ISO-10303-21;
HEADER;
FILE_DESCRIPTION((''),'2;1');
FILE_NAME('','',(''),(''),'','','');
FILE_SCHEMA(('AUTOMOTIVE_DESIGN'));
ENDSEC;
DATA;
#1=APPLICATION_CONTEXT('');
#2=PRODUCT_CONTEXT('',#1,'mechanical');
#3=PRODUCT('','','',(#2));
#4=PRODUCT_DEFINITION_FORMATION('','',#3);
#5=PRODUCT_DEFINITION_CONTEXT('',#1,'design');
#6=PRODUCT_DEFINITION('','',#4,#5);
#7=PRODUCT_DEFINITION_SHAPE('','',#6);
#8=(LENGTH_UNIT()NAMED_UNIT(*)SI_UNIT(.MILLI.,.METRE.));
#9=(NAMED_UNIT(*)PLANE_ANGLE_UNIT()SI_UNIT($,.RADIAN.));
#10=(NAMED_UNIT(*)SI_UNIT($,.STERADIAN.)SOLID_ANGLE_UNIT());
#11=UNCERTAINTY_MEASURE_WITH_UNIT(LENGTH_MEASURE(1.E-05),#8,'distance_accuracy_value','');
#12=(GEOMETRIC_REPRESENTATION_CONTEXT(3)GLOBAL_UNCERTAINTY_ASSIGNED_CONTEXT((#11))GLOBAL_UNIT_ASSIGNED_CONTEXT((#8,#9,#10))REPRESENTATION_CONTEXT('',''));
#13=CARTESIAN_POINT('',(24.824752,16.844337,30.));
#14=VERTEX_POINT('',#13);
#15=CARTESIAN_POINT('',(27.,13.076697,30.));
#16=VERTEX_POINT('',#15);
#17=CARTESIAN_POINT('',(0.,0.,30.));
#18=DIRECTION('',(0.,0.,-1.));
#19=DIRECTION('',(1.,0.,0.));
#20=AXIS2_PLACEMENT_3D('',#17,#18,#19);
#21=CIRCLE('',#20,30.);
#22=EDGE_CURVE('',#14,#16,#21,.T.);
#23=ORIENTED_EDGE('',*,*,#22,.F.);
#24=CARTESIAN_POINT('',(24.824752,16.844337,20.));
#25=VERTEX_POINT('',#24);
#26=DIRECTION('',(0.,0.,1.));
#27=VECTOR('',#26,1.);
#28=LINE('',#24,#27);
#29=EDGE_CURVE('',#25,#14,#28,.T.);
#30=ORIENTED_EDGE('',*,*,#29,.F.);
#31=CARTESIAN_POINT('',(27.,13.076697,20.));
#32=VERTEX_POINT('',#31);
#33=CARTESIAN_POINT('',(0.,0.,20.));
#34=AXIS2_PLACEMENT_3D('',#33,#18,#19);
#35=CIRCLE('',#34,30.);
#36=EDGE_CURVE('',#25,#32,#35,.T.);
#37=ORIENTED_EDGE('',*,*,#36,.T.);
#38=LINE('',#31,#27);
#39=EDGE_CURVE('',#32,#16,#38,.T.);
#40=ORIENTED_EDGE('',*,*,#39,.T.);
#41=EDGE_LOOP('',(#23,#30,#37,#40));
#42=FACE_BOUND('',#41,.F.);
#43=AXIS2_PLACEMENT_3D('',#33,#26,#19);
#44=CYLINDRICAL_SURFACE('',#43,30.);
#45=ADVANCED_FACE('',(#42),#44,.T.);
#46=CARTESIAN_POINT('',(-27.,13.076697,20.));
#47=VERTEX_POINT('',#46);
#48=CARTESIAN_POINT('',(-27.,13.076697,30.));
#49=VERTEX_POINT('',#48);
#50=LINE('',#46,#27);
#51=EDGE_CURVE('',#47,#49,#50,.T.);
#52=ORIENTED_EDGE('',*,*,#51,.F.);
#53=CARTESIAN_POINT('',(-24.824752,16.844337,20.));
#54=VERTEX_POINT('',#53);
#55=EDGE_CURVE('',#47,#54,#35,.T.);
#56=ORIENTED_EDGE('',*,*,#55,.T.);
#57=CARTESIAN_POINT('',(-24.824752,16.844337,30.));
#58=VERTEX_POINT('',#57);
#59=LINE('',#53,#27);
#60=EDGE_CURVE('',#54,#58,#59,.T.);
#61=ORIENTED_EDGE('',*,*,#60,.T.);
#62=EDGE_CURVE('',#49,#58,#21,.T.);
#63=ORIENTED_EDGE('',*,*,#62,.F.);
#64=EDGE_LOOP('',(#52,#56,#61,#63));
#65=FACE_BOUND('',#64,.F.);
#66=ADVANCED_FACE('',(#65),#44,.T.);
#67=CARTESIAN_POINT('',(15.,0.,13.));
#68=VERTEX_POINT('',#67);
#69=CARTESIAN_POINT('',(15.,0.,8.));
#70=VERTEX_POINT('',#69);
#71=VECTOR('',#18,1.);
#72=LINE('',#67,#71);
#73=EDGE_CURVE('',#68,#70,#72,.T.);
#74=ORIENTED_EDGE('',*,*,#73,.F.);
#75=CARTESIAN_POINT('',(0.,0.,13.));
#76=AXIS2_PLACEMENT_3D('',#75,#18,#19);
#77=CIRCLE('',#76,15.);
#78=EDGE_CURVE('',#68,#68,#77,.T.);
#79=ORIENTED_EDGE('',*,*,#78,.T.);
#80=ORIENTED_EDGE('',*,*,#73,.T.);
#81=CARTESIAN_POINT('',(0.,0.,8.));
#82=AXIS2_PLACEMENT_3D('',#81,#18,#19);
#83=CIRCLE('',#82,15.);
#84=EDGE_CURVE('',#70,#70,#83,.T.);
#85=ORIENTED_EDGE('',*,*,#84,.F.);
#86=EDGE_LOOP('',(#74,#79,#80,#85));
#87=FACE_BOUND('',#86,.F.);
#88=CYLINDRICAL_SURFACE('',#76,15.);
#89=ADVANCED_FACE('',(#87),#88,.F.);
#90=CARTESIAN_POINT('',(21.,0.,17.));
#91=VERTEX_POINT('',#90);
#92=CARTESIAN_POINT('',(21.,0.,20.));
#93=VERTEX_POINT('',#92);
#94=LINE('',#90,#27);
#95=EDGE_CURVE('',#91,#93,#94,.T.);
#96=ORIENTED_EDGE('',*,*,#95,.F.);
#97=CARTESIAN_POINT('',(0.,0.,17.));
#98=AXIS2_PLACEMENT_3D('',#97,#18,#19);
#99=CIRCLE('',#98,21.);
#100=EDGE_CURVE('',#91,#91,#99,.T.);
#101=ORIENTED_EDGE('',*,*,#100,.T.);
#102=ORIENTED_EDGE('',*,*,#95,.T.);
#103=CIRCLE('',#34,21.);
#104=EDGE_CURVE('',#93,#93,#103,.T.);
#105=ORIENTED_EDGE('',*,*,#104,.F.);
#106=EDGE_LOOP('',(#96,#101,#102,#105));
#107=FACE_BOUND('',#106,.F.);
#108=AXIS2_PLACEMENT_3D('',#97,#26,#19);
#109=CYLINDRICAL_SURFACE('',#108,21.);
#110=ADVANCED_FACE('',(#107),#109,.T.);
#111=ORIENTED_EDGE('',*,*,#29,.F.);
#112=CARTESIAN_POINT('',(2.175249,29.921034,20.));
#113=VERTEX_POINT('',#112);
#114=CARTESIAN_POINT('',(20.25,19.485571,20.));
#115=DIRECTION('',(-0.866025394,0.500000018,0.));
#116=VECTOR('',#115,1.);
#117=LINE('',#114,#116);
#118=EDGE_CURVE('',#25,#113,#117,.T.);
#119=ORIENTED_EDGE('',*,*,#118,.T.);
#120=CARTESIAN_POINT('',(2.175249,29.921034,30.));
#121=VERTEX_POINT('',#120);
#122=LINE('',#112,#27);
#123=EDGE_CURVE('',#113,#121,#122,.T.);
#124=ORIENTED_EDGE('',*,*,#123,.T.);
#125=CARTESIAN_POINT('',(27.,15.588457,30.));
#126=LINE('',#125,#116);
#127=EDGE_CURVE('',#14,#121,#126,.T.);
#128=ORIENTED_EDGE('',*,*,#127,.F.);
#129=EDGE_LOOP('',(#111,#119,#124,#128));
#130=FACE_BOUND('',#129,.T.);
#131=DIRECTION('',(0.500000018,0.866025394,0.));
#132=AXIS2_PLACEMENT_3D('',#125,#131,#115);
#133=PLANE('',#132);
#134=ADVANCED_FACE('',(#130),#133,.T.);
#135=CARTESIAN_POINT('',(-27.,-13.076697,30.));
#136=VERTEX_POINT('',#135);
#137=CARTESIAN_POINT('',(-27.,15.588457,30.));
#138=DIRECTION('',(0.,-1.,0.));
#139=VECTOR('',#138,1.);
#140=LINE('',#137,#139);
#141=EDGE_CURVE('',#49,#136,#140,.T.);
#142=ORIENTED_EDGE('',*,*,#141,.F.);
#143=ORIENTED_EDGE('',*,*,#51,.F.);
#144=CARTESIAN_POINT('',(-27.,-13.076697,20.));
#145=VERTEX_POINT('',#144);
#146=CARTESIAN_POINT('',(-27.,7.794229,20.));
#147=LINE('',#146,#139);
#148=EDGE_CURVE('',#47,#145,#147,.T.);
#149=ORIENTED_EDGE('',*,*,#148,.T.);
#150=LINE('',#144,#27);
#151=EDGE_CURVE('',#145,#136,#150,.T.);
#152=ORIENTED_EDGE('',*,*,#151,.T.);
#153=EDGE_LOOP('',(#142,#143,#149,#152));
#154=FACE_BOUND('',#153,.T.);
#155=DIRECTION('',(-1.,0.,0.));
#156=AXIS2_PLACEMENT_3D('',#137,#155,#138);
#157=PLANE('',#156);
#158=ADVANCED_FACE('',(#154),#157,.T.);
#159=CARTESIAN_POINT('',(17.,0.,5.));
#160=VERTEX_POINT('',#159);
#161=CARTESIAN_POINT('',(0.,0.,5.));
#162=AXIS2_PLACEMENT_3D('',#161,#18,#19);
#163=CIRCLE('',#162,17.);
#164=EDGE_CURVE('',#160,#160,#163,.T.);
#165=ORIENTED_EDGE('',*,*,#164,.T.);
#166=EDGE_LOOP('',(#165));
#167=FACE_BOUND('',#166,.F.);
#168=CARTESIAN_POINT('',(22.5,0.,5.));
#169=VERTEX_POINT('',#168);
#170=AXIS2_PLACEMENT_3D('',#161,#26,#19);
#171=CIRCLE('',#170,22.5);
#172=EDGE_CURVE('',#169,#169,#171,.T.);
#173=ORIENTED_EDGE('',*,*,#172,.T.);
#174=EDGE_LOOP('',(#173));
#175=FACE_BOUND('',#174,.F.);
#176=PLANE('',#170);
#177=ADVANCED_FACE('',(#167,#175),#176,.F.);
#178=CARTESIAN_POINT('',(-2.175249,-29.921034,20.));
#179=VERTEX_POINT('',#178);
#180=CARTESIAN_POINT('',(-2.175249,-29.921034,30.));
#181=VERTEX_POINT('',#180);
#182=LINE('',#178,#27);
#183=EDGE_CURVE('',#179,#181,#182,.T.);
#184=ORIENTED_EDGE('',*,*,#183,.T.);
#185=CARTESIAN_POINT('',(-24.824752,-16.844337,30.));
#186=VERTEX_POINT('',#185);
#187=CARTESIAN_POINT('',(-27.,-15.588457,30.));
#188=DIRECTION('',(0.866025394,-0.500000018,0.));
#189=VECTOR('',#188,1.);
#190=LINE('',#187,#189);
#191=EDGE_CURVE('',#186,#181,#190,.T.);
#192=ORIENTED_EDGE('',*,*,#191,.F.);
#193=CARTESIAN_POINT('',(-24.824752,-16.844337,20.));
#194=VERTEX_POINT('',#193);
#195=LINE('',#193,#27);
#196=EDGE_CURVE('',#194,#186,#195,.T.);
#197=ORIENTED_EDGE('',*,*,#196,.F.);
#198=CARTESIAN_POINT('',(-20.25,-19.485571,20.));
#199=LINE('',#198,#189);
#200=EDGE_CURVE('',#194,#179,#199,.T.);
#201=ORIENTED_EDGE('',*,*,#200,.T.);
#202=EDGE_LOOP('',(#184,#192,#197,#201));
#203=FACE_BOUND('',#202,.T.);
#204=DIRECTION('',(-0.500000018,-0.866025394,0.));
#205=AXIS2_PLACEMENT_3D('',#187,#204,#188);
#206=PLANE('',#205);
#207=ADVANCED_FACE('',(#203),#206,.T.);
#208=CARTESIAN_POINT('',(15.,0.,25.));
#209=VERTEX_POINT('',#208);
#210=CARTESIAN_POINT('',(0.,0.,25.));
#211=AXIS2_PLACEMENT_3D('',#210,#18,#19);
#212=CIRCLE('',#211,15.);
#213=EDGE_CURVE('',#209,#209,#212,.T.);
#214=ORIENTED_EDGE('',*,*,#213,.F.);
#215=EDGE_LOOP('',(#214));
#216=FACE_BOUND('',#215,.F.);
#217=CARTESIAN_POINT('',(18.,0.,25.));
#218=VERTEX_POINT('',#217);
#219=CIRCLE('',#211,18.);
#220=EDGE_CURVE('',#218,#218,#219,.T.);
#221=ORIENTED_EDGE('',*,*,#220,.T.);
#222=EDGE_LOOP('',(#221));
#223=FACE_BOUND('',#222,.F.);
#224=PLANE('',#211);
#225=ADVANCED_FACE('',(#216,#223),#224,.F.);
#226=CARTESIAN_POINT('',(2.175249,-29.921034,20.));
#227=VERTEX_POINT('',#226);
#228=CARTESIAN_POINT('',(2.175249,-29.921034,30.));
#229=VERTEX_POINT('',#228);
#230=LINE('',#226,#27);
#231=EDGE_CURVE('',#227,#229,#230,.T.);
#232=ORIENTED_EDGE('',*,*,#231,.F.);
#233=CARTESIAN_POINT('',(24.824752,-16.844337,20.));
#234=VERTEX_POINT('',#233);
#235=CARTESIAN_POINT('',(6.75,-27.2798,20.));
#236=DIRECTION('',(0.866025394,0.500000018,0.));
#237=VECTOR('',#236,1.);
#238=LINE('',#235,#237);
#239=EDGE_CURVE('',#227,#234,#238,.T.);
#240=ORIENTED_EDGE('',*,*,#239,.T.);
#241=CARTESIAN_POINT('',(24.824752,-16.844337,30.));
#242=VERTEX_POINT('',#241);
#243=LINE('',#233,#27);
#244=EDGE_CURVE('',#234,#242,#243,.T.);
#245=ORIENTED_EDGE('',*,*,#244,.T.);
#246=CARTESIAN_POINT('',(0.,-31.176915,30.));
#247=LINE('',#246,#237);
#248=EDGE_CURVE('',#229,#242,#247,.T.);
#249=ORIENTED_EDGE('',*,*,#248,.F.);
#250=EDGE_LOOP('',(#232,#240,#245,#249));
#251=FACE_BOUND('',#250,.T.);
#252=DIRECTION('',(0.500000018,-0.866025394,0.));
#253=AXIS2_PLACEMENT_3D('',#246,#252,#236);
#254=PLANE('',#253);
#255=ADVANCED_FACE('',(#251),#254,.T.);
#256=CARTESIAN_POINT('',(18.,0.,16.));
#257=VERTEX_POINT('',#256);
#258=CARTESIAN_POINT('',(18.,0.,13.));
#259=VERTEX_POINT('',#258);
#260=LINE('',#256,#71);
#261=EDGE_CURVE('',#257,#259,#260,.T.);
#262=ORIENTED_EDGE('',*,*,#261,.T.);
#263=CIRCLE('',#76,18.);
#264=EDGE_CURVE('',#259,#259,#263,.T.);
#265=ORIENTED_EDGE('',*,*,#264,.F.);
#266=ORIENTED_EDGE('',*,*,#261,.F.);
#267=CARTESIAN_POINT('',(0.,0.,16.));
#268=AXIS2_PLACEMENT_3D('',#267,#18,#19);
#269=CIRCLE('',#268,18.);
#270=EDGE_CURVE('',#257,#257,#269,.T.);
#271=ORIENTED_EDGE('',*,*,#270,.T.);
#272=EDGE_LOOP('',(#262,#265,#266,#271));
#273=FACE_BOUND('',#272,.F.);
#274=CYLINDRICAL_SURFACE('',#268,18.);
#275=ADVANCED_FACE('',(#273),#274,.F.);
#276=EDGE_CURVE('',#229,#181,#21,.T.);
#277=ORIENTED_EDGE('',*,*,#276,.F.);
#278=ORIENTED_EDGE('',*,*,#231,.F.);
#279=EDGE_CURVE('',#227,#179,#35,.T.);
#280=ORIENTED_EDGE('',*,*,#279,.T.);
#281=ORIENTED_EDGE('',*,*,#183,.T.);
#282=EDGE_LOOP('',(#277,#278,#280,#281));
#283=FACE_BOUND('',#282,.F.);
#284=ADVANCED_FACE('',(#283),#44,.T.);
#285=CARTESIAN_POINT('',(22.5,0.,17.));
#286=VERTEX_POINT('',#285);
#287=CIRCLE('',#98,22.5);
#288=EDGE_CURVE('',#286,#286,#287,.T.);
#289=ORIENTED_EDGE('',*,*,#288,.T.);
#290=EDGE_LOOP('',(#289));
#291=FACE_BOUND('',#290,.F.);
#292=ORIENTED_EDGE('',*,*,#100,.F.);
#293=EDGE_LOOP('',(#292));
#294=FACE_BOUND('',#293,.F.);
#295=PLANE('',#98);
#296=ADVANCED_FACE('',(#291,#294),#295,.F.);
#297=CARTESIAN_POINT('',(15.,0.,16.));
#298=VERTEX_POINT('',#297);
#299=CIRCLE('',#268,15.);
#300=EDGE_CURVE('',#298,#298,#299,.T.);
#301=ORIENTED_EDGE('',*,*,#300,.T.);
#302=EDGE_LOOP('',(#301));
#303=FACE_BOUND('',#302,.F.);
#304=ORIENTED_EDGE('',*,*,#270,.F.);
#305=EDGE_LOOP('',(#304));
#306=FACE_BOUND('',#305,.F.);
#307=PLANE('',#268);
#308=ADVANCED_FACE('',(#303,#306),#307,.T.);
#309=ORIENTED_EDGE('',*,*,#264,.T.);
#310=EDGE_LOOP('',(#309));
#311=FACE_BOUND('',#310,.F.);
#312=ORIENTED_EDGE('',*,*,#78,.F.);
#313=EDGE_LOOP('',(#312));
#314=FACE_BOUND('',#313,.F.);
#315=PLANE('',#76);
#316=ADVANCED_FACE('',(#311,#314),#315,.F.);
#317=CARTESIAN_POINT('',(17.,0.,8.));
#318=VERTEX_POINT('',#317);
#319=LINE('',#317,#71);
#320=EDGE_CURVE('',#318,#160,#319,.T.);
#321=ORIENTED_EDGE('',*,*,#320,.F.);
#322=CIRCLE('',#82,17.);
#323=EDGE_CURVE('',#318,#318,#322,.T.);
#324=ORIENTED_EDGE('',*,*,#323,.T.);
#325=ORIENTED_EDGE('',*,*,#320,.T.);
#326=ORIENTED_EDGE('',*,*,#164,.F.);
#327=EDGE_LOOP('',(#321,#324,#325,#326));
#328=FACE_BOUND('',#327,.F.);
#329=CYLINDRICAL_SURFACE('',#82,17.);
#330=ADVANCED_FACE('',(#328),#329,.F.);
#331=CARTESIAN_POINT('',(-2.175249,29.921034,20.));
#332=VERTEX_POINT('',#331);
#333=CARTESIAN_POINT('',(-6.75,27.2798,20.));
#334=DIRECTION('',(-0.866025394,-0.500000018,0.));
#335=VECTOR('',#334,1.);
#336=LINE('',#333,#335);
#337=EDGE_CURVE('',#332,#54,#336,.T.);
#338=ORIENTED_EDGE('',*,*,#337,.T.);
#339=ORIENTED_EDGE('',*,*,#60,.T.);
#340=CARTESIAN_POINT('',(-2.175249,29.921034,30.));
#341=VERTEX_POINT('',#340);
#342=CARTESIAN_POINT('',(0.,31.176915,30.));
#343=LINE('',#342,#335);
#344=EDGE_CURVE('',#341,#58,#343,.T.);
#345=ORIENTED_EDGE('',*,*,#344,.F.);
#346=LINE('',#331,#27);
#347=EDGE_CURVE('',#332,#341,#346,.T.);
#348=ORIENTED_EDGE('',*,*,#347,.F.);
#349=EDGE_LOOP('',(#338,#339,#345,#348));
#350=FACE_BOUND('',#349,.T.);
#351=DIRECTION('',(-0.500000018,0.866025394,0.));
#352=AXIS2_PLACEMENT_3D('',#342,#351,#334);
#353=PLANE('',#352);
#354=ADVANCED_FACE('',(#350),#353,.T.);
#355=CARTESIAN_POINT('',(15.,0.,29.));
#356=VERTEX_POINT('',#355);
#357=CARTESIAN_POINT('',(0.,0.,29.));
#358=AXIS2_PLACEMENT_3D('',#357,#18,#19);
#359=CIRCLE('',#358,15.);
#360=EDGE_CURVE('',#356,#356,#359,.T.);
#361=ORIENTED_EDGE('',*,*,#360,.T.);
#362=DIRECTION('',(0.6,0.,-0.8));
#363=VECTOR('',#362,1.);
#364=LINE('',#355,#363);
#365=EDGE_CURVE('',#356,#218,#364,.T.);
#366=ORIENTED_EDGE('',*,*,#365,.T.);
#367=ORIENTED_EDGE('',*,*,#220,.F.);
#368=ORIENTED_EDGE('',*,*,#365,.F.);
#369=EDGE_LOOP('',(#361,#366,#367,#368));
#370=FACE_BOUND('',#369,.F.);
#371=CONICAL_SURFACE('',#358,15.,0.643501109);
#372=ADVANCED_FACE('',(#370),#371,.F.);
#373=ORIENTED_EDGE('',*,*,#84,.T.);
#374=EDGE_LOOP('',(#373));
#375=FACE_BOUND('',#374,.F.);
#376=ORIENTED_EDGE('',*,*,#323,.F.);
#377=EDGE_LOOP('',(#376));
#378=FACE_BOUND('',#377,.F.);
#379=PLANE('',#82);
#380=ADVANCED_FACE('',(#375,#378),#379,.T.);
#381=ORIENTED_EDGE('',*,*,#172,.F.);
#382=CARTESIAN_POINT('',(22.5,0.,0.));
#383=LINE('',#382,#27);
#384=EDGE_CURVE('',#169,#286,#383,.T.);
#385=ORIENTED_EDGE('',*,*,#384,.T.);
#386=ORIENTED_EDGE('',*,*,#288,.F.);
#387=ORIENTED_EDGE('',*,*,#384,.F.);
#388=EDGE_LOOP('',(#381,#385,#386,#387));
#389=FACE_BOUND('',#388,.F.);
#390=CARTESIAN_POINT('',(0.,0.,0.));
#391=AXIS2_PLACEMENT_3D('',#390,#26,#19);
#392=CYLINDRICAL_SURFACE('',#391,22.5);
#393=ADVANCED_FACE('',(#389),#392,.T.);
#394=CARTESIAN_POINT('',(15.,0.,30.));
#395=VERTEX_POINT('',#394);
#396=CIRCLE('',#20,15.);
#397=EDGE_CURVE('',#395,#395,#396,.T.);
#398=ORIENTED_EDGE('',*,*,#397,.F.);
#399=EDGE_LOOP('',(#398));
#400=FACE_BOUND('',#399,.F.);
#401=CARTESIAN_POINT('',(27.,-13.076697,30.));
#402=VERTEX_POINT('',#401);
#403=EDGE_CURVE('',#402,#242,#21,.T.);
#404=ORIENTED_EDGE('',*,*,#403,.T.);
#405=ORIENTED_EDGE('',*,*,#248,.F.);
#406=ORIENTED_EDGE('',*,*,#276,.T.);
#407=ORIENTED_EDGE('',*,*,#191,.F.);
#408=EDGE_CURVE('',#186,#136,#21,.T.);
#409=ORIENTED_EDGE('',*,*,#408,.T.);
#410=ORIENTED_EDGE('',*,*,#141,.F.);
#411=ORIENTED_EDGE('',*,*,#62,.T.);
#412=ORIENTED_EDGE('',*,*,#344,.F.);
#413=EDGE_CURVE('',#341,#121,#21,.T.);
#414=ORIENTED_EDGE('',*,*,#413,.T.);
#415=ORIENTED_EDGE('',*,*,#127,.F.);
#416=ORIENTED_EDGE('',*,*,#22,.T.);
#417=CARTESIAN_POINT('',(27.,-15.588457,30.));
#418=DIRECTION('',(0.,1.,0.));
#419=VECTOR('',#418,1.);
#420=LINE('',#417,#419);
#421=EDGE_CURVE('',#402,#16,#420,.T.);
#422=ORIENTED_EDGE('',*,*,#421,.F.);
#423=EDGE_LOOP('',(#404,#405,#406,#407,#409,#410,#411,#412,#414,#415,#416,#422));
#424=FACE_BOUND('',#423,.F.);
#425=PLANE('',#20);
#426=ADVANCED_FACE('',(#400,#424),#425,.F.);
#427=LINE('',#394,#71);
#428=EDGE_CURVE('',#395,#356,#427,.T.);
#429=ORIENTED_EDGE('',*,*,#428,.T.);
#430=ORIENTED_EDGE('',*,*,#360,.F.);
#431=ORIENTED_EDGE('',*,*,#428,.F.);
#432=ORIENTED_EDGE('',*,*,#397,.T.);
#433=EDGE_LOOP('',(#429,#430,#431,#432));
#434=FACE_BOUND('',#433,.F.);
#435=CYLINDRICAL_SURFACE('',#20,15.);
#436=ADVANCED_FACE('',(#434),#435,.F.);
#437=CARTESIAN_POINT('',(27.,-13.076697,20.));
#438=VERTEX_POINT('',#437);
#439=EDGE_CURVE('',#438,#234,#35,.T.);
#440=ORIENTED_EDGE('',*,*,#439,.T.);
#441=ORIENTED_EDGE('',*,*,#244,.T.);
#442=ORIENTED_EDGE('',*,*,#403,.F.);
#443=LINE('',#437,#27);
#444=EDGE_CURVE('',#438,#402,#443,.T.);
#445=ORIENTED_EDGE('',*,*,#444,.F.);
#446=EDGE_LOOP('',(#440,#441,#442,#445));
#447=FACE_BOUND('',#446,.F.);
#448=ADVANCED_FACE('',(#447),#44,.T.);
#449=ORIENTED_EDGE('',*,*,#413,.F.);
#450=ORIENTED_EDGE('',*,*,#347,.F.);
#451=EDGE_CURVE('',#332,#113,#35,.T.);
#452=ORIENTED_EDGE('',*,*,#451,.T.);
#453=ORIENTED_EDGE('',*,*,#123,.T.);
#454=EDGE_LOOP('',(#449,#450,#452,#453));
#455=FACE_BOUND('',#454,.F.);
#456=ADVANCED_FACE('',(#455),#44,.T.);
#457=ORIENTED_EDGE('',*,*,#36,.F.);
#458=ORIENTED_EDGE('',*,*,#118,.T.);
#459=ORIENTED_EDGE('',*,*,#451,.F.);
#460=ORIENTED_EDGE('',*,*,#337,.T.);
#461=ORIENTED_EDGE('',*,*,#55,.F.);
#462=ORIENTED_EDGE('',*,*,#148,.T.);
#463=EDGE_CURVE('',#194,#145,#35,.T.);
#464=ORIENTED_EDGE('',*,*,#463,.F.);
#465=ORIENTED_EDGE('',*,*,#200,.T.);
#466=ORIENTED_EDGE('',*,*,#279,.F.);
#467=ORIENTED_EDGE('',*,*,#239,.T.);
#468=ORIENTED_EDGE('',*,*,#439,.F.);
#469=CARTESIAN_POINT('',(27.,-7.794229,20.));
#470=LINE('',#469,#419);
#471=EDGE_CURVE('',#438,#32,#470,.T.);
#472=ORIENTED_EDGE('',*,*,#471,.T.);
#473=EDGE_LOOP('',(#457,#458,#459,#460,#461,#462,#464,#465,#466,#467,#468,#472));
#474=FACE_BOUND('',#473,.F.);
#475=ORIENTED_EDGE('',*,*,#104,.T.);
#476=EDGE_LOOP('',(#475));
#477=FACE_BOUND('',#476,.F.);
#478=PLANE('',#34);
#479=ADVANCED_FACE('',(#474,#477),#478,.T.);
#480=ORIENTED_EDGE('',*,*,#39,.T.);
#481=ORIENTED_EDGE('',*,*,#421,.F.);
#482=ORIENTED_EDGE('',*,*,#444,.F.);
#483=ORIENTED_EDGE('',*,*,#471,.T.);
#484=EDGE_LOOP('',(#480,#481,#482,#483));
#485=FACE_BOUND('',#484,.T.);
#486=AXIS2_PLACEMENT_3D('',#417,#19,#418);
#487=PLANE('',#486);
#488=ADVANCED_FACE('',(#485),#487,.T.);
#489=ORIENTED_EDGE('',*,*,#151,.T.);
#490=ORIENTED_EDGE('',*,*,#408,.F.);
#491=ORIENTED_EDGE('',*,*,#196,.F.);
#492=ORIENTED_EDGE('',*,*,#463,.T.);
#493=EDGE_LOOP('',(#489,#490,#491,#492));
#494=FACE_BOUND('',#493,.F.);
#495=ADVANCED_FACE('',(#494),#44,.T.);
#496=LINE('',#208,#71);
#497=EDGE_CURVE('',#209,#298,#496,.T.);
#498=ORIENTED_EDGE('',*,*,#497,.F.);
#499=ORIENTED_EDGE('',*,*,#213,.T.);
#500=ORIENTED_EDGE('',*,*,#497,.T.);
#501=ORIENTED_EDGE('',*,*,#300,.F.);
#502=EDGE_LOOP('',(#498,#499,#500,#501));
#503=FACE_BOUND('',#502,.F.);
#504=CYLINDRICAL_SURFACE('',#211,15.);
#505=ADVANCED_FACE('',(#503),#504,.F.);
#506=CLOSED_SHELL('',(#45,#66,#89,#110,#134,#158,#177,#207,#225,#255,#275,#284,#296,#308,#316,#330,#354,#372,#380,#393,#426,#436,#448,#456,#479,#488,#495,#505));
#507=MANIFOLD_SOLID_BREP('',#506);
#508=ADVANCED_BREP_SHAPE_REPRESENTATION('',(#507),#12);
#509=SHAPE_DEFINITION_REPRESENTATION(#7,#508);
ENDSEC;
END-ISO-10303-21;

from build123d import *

# Parameters (mm, degrees)
F3_DEPTH = 25


with BuildPart() as f1:
    # F0 (on Front) → F1 (revolve)
    with BuildSketch(Plane.XZ):
        Polygon((15, 5), (15, 0), (22.5, 0), (22.5, 17), (21, 17), (21, 20), (30, 20), (30, 30), (15, 30), (15, 29), (18, 25), (15, 25), (15, 16), (18, 16), (18, 13), (15, 13), (15, 8), (17, 8), (17, 5), align=None)
    revolve(axis=Axis((0, 0, 16.846085), (0, 0, -1)))

    # F2 (on face) → F3 (intersect)
    with BuildSketch(Plane.XY.offset(30)):
        Polygon((0, -31.176915), (27, -15.588457), (27, 15.588457), (0, 31.176915), (-27, 15.588457), (-27, -15.588457), align=None)
    extrude(amount=-F3_DEPTH, mode=Mode.INTERSECT)


solid = f1.part
